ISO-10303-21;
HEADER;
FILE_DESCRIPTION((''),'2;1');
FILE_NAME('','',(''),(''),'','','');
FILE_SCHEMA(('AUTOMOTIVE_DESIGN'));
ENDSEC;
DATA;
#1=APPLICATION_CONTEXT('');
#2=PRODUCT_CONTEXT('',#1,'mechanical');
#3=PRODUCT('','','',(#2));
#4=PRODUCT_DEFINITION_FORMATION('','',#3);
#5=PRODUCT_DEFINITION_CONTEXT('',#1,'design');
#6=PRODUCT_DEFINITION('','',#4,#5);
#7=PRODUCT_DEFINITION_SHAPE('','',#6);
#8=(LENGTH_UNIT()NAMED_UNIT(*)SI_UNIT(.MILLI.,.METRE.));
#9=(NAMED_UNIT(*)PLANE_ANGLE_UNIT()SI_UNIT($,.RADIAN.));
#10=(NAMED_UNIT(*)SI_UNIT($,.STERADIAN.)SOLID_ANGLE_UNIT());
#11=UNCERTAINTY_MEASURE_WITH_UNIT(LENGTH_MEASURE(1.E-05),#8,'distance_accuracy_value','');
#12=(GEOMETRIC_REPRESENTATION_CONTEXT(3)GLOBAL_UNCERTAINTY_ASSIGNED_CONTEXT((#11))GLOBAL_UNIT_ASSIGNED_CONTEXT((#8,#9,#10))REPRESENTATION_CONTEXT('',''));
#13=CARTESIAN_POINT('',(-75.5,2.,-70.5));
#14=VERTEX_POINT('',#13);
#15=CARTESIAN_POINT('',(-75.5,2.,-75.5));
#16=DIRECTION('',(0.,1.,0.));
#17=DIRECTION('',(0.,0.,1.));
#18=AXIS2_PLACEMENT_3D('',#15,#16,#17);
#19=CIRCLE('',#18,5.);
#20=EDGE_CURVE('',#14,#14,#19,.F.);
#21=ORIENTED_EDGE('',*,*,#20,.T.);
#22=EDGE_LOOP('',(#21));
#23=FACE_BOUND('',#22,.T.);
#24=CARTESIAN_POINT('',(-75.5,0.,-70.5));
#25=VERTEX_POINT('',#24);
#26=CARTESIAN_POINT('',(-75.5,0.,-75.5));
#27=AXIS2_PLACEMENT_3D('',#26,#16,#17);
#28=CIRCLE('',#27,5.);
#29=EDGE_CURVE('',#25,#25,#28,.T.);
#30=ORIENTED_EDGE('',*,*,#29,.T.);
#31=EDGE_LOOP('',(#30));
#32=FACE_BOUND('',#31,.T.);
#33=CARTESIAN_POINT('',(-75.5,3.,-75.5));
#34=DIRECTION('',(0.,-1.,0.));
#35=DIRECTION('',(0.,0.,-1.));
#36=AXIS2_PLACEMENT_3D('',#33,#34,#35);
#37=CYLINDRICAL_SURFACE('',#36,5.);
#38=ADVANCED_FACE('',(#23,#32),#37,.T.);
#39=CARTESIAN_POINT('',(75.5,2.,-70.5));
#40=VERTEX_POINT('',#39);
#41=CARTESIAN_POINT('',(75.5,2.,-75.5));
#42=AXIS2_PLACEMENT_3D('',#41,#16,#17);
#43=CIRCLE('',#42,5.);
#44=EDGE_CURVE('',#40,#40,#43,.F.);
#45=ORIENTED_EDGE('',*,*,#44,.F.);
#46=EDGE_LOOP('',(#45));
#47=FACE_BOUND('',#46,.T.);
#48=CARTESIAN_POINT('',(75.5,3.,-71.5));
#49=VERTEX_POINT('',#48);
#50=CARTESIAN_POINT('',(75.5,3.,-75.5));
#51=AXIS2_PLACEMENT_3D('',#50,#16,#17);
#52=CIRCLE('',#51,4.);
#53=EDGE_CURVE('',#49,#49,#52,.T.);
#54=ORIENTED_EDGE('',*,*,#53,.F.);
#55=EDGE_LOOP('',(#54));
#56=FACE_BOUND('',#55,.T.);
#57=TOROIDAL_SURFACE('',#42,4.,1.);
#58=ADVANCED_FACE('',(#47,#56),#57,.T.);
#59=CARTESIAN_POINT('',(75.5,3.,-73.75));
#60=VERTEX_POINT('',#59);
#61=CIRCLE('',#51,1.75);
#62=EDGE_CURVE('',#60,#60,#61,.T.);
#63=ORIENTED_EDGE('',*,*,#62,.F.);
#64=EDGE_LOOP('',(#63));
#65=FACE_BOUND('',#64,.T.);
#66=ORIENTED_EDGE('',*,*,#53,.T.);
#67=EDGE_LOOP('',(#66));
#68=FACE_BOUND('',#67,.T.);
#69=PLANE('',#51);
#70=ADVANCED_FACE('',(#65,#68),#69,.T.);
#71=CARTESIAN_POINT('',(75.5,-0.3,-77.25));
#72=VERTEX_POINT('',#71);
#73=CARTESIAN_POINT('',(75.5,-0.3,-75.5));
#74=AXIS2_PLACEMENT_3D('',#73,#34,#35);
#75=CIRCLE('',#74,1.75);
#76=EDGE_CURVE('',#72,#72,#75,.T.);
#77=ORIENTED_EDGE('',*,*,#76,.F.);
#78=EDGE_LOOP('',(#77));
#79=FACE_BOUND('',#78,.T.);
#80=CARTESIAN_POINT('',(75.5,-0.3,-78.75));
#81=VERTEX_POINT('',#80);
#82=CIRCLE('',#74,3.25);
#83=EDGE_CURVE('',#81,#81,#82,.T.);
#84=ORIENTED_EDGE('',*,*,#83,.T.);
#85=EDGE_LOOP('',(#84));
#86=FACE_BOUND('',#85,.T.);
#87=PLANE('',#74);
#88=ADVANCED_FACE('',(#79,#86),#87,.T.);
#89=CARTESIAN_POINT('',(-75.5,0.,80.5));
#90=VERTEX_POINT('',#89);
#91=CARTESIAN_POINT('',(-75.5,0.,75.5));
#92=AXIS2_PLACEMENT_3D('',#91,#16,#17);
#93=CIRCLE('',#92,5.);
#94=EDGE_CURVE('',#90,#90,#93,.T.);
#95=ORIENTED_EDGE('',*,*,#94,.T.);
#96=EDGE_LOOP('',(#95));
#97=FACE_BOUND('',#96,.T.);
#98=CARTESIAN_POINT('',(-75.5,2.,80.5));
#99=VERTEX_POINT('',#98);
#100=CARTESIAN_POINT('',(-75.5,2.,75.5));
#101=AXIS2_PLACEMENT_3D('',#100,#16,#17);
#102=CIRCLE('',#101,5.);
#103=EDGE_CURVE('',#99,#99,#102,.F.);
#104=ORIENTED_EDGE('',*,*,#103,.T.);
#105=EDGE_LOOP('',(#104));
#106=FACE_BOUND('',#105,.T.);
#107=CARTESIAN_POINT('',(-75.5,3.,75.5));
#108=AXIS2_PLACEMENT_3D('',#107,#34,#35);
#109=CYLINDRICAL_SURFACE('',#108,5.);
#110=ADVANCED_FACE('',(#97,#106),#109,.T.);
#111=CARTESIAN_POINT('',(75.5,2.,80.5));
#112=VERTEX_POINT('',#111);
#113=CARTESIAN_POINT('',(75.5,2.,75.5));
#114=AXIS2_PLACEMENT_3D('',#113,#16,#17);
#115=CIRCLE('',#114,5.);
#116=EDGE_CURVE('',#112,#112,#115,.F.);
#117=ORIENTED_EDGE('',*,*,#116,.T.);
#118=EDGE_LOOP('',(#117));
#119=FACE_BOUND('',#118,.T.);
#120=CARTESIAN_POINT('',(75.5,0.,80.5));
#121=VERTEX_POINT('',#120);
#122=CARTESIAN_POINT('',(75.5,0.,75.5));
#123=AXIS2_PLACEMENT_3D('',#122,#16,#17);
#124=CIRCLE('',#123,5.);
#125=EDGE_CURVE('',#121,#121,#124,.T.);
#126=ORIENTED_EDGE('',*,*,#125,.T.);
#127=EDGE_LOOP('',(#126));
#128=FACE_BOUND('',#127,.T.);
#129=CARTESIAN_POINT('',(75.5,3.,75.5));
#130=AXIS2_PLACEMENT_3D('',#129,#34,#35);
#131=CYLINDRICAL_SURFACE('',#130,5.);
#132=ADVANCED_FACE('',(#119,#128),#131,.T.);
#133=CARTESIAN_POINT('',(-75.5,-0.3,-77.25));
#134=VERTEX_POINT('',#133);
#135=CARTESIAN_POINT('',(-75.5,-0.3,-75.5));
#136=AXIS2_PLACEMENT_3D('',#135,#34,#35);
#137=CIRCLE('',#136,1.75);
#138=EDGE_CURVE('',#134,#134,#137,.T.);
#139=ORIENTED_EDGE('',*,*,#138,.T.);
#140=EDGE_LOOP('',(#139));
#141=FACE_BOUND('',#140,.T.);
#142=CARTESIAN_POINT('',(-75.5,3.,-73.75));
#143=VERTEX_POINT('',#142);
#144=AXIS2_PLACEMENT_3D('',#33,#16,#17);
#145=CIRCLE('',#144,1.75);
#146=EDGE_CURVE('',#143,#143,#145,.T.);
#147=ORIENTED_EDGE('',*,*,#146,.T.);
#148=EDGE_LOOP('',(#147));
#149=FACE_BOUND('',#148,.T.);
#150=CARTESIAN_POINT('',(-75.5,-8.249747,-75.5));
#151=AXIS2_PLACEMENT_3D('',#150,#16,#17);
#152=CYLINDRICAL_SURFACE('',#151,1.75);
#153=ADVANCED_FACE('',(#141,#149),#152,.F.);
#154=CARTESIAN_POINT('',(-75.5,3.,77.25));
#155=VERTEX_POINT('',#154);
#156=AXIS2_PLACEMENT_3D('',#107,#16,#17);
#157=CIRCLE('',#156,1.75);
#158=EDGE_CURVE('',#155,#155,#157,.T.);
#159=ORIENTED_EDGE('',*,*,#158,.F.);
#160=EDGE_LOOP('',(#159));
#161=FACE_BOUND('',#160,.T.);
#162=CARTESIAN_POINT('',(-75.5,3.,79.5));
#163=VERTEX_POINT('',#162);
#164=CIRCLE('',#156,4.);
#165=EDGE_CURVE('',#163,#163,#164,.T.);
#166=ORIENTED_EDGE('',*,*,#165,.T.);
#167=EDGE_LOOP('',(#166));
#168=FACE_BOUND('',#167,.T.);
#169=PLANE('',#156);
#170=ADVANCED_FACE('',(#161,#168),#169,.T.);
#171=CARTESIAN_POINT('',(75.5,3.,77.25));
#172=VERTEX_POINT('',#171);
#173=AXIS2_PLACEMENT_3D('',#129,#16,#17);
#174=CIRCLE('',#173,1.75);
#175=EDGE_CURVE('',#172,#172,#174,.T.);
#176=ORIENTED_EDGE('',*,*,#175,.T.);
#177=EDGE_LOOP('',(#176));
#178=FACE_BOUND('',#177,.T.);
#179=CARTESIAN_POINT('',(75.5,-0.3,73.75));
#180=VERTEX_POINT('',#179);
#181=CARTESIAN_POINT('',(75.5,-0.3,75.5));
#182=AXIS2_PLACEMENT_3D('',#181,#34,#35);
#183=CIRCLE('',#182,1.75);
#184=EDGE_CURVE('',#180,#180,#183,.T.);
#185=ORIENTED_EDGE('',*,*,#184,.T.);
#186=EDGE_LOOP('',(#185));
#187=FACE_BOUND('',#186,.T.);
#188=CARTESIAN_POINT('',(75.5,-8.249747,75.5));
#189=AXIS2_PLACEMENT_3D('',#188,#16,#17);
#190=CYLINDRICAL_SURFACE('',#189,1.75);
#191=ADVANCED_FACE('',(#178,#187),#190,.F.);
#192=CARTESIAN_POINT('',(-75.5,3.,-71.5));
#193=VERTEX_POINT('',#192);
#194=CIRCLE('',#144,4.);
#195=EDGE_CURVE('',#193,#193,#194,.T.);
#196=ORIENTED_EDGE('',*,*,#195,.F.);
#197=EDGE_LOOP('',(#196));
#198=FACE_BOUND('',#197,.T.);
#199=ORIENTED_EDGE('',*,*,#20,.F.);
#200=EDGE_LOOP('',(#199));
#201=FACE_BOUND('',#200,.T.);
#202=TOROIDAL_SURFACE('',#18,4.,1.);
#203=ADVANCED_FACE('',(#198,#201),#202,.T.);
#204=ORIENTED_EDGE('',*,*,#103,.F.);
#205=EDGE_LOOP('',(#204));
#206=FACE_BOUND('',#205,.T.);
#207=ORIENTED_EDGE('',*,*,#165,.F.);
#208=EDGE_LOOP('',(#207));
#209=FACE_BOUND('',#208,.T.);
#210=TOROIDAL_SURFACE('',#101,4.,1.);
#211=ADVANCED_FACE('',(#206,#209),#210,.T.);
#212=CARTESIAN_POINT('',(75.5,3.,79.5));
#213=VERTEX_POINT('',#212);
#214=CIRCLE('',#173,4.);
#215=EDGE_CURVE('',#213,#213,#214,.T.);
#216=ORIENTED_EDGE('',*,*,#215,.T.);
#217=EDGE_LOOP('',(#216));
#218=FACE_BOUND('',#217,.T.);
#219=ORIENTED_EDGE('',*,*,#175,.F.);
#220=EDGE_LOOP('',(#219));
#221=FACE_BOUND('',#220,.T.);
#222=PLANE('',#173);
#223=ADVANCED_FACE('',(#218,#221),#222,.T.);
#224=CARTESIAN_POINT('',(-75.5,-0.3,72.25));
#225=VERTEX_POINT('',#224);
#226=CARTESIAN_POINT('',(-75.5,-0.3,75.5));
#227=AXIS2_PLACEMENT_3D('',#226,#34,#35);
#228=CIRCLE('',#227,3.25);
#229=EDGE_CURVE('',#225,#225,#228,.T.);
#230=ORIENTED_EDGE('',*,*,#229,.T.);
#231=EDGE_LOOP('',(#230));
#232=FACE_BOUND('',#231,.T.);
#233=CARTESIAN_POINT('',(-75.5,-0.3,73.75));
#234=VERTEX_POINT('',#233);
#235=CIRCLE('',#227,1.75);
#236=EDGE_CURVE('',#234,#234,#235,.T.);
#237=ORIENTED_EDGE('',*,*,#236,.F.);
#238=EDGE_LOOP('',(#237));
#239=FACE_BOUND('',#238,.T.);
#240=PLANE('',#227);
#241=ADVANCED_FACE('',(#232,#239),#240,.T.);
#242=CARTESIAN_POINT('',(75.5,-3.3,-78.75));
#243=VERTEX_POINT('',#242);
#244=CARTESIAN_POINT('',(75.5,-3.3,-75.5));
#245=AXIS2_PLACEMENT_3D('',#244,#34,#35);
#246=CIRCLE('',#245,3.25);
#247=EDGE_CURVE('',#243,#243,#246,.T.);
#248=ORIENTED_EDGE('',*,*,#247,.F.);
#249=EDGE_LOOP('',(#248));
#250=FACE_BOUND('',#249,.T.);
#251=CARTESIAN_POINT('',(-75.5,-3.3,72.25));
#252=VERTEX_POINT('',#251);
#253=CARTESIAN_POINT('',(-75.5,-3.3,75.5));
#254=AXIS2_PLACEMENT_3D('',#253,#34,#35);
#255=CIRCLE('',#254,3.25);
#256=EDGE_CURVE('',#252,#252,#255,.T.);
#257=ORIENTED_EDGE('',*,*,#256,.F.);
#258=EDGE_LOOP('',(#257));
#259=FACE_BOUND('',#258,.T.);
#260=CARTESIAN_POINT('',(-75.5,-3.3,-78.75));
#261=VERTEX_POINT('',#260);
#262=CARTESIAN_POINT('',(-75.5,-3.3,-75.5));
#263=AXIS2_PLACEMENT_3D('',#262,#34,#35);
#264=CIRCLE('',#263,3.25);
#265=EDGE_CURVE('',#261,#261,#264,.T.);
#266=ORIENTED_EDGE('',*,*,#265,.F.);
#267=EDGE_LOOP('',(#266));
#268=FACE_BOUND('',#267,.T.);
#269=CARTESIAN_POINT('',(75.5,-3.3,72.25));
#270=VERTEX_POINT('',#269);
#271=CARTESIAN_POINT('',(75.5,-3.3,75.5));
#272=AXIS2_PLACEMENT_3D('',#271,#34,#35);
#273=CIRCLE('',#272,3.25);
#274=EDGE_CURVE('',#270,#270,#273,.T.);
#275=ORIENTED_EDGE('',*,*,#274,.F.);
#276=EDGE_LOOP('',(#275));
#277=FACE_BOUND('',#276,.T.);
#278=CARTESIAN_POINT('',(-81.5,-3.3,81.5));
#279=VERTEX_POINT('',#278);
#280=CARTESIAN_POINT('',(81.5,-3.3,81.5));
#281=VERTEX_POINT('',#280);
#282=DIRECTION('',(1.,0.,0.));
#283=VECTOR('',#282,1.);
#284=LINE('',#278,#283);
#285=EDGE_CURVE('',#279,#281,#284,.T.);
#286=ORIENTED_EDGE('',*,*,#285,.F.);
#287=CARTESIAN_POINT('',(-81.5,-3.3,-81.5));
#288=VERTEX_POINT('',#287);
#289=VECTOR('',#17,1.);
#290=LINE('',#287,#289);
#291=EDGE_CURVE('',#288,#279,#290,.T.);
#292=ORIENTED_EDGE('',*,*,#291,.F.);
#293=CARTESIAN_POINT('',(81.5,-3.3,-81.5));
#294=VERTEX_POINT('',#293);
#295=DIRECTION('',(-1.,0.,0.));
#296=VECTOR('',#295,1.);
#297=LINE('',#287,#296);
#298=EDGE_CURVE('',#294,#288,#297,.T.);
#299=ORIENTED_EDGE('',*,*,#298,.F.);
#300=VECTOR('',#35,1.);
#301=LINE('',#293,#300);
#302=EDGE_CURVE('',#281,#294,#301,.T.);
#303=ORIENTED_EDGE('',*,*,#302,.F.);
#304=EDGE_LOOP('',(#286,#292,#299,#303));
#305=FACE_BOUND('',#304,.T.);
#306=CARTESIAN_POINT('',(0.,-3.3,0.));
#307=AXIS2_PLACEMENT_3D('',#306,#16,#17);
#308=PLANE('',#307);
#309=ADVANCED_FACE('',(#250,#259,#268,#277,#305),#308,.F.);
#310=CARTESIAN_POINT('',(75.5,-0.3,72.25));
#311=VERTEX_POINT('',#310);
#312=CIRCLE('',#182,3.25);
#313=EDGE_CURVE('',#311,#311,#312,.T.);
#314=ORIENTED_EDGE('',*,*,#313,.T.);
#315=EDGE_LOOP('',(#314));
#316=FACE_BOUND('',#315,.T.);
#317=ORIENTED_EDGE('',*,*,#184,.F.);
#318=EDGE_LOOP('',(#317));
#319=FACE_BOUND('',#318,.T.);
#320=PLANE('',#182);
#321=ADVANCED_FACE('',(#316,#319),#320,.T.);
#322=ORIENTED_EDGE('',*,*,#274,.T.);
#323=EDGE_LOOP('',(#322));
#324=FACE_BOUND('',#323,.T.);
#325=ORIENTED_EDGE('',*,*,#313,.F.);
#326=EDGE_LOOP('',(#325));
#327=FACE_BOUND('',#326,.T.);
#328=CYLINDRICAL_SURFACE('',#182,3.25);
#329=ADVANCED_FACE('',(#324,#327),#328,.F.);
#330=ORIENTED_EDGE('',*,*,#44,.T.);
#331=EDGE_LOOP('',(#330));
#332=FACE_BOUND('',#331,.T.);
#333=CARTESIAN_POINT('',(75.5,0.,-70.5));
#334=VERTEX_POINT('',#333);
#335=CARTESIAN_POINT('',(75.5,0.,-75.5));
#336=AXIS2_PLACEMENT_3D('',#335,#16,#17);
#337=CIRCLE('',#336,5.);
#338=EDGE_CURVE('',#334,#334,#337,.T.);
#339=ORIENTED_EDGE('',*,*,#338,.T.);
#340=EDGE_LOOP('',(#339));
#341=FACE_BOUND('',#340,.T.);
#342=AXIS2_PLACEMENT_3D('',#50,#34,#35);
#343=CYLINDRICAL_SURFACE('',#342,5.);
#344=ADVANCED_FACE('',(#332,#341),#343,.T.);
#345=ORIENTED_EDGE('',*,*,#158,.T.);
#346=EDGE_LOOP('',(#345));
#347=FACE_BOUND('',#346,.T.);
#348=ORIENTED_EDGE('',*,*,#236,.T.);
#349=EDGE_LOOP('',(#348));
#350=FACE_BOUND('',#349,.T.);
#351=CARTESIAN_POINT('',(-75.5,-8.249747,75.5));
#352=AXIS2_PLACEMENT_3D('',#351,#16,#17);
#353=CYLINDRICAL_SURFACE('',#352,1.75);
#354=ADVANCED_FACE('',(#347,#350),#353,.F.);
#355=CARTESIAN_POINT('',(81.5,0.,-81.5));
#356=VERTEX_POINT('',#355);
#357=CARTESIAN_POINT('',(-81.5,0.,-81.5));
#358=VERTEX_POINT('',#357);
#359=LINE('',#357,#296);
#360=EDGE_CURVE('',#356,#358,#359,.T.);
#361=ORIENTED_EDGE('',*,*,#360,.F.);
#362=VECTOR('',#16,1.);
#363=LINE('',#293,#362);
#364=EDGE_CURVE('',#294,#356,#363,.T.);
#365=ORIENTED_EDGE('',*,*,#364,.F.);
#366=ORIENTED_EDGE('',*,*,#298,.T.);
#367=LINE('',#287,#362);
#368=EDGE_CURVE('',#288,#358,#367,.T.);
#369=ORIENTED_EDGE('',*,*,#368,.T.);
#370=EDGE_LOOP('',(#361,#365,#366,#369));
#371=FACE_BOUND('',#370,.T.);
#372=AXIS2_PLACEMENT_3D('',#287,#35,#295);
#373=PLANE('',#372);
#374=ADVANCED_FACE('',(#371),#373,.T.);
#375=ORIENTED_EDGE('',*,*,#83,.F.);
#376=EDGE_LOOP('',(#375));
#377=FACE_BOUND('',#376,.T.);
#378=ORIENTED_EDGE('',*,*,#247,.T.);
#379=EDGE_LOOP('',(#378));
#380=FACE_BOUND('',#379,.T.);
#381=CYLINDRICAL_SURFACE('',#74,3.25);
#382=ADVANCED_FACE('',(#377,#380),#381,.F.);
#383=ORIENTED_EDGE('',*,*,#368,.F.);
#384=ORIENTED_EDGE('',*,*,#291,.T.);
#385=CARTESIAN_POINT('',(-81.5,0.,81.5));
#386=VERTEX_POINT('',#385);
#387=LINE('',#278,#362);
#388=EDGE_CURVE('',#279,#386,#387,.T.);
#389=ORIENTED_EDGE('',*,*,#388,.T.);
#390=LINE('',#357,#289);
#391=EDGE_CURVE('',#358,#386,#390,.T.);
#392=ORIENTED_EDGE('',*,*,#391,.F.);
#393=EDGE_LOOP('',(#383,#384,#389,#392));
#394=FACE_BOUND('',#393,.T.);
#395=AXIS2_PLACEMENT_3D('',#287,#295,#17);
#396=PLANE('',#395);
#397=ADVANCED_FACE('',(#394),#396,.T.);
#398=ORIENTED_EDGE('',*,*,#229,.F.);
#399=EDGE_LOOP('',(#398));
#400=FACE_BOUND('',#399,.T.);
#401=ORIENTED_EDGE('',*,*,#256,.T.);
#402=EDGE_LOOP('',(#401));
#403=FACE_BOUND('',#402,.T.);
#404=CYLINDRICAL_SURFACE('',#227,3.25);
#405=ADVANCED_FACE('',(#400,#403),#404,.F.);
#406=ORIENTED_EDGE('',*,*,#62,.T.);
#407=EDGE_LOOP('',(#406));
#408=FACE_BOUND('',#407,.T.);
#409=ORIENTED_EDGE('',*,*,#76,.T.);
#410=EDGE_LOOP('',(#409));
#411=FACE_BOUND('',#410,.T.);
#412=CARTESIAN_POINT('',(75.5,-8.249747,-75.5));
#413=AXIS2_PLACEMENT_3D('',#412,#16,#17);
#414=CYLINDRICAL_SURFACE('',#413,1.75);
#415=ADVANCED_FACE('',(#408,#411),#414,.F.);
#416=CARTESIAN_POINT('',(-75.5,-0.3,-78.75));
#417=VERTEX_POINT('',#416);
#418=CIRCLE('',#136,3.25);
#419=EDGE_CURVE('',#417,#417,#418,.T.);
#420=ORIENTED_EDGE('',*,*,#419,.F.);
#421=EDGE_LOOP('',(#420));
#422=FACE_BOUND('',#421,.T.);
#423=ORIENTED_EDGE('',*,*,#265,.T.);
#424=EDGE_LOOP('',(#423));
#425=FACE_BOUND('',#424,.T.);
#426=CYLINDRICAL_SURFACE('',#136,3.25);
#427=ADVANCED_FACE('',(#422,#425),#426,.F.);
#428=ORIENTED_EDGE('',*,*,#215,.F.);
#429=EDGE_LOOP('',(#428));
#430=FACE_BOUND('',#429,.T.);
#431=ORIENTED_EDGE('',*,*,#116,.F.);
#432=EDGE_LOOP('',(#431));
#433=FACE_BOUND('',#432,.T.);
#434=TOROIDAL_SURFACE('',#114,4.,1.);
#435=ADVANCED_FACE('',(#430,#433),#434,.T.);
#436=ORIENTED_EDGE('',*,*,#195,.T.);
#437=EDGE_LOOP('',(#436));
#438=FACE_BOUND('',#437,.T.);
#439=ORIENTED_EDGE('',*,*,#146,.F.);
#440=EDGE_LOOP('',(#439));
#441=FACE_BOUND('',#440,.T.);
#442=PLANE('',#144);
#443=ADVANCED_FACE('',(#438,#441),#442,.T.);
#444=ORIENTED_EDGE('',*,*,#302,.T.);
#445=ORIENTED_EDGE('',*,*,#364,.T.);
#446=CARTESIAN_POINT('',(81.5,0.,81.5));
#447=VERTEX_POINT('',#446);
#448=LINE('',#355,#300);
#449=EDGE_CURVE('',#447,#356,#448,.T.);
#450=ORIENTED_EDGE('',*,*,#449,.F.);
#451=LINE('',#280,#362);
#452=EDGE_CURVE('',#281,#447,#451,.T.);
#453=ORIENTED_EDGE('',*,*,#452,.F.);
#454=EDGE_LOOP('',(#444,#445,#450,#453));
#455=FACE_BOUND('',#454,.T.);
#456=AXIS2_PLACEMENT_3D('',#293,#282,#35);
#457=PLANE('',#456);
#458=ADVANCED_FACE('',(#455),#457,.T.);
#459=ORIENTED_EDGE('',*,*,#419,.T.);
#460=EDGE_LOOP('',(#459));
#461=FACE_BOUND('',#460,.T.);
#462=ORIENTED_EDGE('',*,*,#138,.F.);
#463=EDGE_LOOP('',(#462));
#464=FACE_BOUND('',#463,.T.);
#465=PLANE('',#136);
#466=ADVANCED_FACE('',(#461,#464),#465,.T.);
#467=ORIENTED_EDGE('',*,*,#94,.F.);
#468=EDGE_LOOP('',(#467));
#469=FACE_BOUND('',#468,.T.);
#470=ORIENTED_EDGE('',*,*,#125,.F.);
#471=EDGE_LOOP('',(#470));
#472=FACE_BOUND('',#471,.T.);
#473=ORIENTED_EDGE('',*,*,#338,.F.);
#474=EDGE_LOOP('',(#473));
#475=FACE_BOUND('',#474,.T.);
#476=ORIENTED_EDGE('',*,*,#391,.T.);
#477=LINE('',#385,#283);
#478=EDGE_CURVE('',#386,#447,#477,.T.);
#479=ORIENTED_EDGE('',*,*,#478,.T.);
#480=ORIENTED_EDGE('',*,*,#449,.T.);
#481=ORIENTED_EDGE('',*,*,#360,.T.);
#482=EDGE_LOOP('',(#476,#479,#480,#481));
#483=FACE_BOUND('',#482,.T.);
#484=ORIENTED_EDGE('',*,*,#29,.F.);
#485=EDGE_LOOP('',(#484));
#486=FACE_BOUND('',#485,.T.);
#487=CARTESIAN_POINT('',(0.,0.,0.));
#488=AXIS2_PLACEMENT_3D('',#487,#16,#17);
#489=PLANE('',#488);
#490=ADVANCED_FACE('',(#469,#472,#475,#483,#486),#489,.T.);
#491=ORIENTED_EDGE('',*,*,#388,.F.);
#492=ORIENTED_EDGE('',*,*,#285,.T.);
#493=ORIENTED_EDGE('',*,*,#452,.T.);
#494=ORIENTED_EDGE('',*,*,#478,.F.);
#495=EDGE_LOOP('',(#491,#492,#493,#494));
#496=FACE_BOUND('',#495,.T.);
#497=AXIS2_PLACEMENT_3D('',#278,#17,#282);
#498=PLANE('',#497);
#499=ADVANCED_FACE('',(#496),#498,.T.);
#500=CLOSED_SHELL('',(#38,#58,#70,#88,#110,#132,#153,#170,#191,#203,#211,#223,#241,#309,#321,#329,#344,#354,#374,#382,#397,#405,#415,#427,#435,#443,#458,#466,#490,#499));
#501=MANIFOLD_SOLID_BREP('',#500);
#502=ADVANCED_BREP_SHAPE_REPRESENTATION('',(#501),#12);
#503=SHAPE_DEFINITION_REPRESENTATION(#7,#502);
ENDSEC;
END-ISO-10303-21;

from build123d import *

# Parameters (mm, degrees)
CROQUIS1_W              = 163
CROQUIS1_H              = 163
SALIENTE_EXTRUIR1_DEPTH = 3.3
CROQUIS2_R              = 5
SALIENTE_EXTRUIR2_DEPTH = 3
REDONDEO1_R             = 1
CROQUIS3_R              = 3.25
CORTAR_EXTRUIR1_DEPTH   = 3
CROQUIS4_R              = 1.75
CORTAR_EXTRUIR2_DEPTH   = 6.3


with BuildPart() as part:
    # Croquis1 → Saliente-Extruir1 (new body)
    with BuildSketch(Plane(origin=(0, 0, 0), x_dir=(1, 0, 0), z_dir=(0, 1, 0))):
        Rectangle(CROQUIS1_W, CROQUIS1_H)
    extrude(amount=-SALIENTE_EXTRUIR1_DEPTH)

    # Croquis2 → Saliente-Extruir2 (add)
    with BuildSketch(Plane(origin=(0, 0, 0), x_dir=(1, 0, 0), z_dir=(0, 1, 0))):
        with Locations((-75.5, 75.5)):
            Circle(CROQUIS2_R)
        with Locations((75.5, 75.5)):
            Circle(CROQUIS2_R)
        with Locations((-75.5, -75.5)):
            Circle(CROQUIS2_R)
        with Locations((75.5, -75.5)):
            Circle(CROQUIS2_R)
    extrude(amount=SALIENTE_EXTRUIR2_DEPTH)

    # Redondeo1
    redondeo1_edges = [part.edges().sort_by_distance(p)[0] for p in [
        (70.5, 3, -75.5),
        (-80.5, 3, 75.5),
        (70.5, 3, 75.5),
        (-80.5, 3, -75.5),
    ]]
    fillet(redondeo1_edges, radius=REDONDEO1_R)

    # Croquis3 → Cortar-Extruir1 (cut)
    with BuildSketch(Plane.XZ.offset(3.3)):
        with Locations((-75.5, 75.5)):
            Circle(CROQUIS3_R)
        with Locations((75.5, 75.5)):
            Circle(CROQUIS3_R)
        with Locations((-75.5, -75.5)):
            Circle(CROQUIS3_R)
        with Locations((75.5, -75.5)):
            Circle(CROQUIS3_R)
    extrude(amount=-CORTAR_EXTRUIR1_DEPTH, mode=Mode.SUBTRACT)

    # Croquis4 → Cortar-Extruir2 (cut)
    with BuildSketch(Plane(origin=(0, 3, 0), x_dir=(1, 0, 0), z_dir=(0, 1, 0))):
        with Locations((75.5, -75.5)):
            Circle(CROQUIS4_R)
        with Locations((75.5, 75.5)):
            Circle(CROQUIS4_R)
        with Locations((-75.5, 75.5)):
            Circle(CROQUIS4_R)
        with Locations((-75.5, -75.5)):
            Circle(CROQUIS4_R)
    extrude(amount=-CORTAR_EXTRUIR2_DEPTH, mode=Mode.SUBTRACT)


solid = part.part
